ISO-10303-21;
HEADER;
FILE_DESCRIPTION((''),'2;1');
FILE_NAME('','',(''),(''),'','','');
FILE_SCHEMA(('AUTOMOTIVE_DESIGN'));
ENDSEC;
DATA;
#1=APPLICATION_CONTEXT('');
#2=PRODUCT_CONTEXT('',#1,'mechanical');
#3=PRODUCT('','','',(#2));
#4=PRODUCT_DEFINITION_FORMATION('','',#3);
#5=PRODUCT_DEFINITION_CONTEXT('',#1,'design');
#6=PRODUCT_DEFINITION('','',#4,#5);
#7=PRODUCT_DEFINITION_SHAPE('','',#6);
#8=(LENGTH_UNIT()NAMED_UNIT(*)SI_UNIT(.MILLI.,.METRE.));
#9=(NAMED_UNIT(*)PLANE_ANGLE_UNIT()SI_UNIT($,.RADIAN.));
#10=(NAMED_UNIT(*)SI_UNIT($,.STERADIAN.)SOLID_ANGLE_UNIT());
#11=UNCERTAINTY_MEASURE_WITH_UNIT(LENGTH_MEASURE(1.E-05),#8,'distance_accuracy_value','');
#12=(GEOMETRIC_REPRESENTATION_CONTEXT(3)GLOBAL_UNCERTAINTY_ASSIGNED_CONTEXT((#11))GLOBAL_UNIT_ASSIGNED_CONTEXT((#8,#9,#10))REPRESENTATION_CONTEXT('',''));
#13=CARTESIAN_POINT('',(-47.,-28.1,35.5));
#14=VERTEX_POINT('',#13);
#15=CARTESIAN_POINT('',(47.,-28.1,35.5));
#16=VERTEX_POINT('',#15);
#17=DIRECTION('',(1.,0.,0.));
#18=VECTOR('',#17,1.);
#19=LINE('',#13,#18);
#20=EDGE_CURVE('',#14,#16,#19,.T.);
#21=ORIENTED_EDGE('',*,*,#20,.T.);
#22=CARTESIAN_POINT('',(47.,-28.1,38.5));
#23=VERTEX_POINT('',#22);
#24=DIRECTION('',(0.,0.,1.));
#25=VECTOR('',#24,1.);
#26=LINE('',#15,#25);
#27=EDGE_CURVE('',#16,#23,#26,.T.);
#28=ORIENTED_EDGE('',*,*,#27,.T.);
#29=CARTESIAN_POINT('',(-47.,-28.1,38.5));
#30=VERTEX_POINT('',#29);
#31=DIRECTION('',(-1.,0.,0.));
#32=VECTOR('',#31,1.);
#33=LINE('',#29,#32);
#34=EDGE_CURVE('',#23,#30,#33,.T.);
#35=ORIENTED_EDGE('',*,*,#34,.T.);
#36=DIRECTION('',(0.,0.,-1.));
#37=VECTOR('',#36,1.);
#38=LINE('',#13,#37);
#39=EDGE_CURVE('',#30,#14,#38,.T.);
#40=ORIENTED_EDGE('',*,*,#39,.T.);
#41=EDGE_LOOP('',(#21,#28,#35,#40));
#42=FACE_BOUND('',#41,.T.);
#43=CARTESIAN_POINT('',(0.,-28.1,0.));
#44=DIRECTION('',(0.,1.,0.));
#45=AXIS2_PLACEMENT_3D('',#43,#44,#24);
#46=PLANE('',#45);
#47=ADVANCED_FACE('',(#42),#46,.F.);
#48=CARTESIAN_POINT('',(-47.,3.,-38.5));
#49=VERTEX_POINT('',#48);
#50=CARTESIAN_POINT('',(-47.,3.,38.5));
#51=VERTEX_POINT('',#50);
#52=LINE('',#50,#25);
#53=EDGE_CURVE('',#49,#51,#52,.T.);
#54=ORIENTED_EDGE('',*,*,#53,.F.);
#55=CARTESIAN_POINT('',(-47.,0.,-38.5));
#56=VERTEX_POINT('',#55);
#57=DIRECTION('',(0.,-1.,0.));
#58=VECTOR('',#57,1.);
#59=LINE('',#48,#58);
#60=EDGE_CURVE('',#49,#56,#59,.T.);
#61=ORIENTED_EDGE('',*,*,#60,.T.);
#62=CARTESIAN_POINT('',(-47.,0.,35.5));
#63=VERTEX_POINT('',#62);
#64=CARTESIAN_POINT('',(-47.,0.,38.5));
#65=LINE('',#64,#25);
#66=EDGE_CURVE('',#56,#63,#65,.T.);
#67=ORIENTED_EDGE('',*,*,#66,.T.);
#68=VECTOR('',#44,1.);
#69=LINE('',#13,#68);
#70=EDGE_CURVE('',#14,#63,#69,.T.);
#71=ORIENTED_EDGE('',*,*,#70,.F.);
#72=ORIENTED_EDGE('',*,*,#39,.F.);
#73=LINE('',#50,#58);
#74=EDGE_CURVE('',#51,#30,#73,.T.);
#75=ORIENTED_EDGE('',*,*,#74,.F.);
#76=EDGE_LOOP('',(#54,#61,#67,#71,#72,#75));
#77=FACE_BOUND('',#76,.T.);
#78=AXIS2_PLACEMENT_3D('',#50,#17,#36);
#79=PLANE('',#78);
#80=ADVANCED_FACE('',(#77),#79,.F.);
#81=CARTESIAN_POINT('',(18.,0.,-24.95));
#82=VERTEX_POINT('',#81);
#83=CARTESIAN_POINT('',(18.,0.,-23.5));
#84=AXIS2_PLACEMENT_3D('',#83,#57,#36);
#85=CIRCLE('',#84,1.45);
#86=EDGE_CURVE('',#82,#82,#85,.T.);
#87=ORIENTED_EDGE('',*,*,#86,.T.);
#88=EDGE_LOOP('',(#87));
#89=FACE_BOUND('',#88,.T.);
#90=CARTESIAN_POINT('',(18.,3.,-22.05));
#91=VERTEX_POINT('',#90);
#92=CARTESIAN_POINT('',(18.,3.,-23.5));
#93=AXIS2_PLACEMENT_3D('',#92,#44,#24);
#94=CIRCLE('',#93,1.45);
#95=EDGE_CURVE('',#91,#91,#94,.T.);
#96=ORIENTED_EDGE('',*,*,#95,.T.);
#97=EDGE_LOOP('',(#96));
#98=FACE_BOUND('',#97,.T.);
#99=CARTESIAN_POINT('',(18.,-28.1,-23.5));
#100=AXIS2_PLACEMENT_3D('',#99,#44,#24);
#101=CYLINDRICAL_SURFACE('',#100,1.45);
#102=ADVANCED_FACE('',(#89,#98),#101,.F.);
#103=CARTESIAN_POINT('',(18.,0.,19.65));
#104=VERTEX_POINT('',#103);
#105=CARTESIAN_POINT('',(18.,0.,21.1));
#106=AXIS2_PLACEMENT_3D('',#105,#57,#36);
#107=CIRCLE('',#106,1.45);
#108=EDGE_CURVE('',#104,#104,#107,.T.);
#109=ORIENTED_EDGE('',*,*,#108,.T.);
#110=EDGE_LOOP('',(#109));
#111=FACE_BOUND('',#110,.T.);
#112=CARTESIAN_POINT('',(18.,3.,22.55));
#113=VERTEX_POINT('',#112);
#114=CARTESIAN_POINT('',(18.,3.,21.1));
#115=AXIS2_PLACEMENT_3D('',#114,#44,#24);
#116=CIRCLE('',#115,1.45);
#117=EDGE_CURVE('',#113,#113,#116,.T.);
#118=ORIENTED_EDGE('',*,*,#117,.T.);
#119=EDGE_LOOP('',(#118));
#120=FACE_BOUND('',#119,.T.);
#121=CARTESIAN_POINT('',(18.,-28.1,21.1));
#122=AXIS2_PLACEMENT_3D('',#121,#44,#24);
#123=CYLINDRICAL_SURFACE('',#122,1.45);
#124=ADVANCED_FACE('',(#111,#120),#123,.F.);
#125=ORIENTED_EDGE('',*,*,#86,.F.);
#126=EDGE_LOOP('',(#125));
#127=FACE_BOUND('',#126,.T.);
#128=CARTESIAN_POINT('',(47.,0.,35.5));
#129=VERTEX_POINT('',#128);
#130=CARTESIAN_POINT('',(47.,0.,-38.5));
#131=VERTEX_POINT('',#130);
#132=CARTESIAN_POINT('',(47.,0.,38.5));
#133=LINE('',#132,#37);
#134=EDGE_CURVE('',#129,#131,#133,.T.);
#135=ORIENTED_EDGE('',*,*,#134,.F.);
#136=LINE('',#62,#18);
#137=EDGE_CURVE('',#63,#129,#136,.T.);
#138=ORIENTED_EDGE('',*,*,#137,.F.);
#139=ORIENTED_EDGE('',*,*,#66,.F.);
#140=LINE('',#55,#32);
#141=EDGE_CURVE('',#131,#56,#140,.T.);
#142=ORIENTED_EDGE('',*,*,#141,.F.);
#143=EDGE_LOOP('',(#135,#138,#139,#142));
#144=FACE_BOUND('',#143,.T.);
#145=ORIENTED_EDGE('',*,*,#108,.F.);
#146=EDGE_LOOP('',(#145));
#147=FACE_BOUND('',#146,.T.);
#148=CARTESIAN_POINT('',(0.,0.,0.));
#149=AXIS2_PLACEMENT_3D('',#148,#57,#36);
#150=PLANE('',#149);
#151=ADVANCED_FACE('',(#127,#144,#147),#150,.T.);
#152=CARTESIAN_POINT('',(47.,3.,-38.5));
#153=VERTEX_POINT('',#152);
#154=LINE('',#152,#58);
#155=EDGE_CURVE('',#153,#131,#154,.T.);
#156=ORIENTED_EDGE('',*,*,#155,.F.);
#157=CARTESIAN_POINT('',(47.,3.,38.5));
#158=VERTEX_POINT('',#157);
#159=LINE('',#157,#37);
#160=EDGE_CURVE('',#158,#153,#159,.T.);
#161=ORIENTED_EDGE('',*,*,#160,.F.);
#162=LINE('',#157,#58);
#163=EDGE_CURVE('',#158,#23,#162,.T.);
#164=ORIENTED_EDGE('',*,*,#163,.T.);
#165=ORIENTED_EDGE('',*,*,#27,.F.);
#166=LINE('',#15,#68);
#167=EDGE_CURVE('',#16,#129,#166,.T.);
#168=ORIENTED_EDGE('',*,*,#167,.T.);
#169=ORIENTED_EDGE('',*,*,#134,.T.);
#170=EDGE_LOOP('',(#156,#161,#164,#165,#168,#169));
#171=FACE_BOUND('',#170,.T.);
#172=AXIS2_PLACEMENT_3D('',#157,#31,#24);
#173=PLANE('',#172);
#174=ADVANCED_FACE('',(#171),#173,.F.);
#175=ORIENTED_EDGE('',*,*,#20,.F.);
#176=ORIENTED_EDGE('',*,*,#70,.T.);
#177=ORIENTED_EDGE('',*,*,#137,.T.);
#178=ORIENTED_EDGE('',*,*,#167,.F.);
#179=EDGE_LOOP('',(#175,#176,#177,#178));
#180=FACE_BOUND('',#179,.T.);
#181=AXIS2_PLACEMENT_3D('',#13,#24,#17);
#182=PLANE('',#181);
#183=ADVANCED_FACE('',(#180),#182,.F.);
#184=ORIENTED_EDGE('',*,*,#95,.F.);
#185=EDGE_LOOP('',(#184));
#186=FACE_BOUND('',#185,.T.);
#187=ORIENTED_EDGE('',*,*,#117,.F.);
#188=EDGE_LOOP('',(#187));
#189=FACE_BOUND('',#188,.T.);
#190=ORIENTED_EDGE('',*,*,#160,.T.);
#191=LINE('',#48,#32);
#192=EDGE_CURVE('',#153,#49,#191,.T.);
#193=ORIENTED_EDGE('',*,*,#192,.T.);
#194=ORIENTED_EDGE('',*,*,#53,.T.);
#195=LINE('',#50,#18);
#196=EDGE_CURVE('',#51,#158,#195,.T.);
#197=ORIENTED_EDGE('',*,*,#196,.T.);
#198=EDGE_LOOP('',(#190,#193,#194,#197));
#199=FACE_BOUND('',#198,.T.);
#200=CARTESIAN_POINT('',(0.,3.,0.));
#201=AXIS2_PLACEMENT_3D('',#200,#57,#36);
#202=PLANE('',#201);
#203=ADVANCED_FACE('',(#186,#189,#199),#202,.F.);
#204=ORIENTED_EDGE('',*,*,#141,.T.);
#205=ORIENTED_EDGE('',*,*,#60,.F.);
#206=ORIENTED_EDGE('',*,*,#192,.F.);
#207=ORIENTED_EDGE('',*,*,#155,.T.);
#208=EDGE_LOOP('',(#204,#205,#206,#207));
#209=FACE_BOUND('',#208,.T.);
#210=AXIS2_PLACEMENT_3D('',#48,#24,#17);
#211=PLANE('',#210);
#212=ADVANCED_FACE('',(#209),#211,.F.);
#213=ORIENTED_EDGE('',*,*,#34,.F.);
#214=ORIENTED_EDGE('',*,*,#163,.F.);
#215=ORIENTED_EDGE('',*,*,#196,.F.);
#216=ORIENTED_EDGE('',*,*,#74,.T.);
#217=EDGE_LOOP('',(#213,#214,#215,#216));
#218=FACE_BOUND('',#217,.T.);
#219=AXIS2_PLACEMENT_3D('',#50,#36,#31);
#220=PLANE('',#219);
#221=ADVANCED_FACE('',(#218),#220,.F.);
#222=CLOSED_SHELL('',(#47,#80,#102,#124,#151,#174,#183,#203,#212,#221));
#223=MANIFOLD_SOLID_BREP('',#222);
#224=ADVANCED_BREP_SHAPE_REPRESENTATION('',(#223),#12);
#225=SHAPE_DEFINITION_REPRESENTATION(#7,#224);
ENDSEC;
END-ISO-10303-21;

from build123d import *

# Parameters (mm, degrees)
SKETCH1_W           = 94
SKETCH1_H           = 77
BOSS_EXTRUDE1_DEPTH = 3
SKETCH2_W           = 94
SKETCH2_H           = 3
BOSS_EXTRUDE2_DEPTH = 28.1
SKETCH3_R           = 1.45
CUT_EXTRUDE1_DEPTH  = 69.252912026
LPATTERN1_COUNT     = 2
LPATTERN1_PITCH     = 44.6


with BuildPart() as part:
    # Sketch1 → Boss-Extrude1 (new body)
    with BuildSketch(Plane(origin=(0, 0, 0), x_dir=(1, 0, 0), z_dir=(0, 1, 0))):
        Rectangle(SKETCH1_W, SKETCH1_H)
    extrude(amount=BOSS_EXTRUDE1_DEPTH)

    # Sketch2 → Boss-Extrude2 (add)
    with BuildSketch(Plane.XZ):
        with Locations((0, 37)):
            Rectangle(SKETCH2_W, SKETCH2_H)
    extrude(amount=BOSS_EXTRUDE2_DEPTH)

    # Sketch3 → Cut-Extrude1 (cut, through all)
    with BuildSketch(Plane(origin=(0, 3, 0), x_dir=(1, 0, 0), z_dir=(0, 1, 0))):
        with Locations(Location((18, 23.5, 0), (0, 0, 270))):
            Circle(SKETCH3_R)
    cut_extrude1 = extrude(amount=-CUT_EXTRUDE1_DEPTH, mode=Mode.SUBTRACT)

    # LPattern1: Cut-Extrude1 ×2
    with Locations(*[(0, 0, i * LPATTERN1_PITCH) for i in range(1, LPATTERN1_COUNT)]):
        add(cut_extrude1, mode=Mode.SUBTRACT)


solid = part.part
